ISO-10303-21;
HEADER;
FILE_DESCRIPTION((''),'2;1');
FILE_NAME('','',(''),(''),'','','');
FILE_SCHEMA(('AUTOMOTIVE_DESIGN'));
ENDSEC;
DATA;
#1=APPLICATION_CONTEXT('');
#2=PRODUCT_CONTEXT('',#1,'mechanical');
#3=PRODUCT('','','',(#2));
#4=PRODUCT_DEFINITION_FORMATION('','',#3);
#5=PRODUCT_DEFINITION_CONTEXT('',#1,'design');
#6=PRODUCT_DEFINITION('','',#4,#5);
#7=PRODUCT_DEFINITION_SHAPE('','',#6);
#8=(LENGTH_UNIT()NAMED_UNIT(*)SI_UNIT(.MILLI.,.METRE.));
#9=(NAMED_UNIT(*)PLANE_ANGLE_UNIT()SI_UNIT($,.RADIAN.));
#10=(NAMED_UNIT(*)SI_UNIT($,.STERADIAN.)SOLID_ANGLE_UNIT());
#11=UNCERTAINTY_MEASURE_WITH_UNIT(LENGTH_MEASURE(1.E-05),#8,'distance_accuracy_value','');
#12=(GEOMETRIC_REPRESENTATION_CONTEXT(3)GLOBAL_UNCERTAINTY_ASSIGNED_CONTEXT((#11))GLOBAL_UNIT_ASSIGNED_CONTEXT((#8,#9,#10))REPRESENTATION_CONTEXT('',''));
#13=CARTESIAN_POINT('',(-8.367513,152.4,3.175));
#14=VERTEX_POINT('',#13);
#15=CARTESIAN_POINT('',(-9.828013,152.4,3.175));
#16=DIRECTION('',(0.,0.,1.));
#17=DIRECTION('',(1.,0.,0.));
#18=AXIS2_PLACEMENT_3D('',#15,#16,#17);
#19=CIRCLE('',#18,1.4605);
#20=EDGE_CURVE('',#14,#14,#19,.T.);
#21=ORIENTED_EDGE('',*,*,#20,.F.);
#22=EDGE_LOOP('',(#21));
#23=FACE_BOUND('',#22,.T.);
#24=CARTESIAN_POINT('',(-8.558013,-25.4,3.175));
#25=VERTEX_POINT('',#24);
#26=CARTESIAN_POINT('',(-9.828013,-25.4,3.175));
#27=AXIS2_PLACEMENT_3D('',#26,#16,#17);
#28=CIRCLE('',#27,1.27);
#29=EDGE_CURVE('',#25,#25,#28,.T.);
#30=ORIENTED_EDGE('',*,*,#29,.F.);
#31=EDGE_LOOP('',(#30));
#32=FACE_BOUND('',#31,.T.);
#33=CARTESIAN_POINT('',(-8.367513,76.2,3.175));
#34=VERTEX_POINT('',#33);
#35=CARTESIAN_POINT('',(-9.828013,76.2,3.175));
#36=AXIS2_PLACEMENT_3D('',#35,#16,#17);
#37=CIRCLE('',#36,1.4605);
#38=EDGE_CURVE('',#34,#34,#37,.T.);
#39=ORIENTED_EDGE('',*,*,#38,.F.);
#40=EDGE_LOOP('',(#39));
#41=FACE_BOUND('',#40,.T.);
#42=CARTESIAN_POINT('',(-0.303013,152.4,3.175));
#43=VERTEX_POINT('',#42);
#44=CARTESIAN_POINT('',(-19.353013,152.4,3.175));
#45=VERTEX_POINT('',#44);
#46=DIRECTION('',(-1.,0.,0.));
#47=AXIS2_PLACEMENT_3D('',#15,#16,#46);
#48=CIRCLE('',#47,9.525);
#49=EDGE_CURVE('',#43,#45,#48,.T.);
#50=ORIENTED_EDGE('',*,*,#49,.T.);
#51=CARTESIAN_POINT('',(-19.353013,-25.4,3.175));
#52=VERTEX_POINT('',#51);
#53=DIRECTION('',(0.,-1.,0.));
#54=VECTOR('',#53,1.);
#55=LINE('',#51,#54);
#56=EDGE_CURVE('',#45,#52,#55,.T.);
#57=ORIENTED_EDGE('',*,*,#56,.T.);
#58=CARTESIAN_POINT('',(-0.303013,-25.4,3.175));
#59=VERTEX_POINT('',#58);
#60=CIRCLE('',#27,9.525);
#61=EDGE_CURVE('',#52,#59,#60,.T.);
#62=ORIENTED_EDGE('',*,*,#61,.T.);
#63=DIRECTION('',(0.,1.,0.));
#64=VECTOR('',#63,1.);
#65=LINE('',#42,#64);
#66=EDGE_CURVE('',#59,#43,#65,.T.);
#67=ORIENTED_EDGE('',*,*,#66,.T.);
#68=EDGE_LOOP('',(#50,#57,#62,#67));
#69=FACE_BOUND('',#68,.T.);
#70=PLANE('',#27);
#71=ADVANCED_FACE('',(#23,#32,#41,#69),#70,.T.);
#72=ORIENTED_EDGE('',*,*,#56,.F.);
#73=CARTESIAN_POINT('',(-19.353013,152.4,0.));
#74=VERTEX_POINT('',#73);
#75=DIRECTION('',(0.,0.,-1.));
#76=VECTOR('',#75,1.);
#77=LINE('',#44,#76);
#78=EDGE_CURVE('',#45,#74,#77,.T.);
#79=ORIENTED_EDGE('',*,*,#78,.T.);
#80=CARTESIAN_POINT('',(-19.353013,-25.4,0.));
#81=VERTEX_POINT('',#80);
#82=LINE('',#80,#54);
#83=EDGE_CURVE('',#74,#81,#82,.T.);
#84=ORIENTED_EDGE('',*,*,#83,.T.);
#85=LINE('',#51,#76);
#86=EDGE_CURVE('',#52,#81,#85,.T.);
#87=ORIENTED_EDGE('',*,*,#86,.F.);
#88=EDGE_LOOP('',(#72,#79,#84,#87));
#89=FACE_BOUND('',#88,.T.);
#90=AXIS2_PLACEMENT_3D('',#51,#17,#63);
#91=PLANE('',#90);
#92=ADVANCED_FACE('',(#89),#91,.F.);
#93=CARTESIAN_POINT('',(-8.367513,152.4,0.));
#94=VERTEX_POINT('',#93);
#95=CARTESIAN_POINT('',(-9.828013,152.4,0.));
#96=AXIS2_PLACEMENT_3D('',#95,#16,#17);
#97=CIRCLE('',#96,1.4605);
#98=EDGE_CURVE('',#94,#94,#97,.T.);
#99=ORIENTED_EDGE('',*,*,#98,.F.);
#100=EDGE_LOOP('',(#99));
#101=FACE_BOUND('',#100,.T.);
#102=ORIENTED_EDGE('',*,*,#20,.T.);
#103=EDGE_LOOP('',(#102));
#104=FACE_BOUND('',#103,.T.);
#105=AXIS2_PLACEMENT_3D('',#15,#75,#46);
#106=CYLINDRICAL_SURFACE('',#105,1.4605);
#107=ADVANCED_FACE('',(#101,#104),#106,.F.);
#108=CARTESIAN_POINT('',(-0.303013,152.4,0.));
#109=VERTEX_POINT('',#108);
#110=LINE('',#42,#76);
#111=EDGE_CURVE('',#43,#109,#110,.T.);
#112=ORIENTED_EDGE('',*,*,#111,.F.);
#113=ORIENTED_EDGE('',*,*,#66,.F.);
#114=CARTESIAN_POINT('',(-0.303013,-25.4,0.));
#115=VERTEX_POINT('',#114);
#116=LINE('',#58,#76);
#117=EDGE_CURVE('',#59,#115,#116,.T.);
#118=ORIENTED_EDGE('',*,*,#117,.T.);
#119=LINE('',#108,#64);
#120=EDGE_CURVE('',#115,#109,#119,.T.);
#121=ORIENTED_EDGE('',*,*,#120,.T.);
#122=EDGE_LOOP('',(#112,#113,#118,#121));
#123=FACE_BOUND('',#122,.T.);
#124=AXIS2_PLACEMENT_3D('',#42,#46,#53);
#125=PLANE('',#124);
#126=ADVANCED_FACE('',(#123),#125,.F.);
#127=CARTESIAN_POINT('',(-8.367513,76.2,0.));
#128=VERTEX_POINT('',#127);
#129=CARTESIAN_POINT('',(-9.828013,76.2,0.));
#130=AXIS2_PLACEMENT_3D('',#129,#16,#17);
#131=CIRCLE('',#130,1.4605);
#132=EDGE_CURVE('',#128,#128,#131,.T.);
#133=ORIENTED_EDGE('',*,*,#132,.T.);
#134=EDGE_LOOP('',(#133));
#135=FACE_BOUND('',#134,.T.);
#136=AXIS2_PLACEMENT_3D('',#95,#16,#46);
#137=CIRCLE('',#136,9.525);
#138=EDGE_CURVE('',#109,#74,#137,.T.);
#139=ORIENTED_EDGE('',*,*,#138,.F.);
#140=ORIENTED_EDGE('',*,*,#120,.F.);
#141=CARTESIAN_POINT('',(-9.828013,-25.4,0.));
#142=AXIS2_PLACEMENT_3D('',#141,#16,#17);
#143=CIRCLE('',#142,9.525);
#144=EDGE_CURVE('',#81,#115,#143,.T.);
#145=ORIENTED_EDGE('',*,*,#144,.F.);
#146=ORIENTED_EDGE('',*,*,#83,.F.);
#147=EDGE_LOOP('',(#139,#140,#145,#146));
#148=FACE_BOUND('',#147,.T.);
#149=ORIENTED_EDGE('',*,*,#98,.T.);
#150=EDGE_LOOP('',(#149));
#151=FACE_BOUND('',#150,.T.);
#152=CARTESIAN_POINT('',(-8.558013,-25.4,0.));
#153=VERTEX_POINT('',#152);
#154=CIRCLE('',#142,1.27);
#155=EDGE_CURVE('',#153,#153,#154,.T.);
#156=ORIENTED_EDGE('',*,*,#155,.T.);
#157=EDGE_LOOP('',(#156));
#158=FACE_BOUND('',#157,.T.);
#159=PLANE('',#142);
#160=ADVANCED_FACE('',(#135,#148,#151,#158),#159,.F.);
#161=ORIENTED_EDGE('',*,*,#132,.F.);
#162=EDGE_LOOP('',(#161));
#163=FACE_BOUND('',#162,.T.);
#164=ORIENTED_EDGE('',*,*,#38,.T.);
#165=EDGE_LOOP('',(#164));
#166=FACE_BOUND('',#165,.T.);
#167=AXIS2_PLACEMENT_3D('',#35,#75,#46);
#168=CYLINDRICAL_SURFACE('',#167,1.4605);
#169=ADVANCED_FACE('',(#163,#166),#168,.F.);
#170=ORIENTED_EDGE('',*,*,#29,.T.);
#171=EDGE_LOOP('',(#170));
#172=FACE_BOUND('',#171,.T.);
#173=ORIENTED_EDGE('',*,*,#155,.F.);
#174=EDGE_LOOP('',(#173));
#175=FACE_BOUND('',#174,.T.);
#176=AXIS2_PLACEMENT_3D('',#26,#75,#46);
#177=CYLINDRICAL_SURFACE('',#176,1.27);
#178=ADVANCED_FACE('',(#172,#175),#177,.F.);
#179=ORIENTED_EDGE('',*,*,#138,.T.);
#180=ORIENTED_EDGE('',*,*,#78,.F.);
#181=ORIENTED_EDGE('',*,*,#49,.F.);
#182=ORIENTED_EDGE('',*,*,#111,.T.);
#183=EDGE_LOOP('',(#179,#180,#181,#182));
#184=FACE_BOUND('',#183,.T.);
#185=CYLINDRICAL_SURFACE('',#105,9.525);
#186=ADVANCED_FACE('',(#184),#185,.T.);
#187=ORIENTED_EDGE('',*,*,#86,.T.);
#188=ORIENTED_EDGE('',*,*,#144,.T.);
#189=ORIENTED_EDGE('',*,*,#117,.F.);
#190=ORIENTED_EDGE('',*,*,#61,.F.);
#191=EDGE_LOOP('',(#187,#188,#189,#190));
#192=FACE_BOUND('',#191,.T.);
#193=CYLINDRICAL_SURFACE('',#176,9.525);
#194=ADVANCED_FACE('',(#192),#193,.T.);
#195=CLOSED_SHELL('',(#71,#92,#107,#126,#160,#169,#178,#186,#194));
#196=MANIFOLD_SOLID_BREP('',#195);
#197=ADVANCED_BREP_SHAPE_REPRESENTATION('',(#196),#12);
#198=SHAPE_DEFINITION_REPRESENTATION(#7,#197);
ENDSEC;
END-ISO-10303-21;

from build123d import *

# Parameters (mm, degrees)
SKETCH1_R           = 1.27
SKETCH1_R_2         = 1.4605
BOSS_EXTRUDE1_DEPTH = 3.175


with BuildPart() as part:
    # Sketch1 → Boss-Extrude1 (new body)
    with BuildSketch(Plane.XY):
        with BuildLine():
            Line((-19.353012887, -25.4), (-19.353012887, 152.4))
            ThreePointArc((-19.353012887, 152.4), (-9.828012887, 161.925), (-0.303012887, 152.4))
            Line((-0.303012887, 152.4), (-0.303012887, -25.4))
            ThreePointArc((-0.303012887, -25.4), (-9.828012887, -34.925), (-19.353012887, -25.4))
        make_face()
        with Locations((-9.828012887, -25.4)):
            Circle(SKETCH1_R, mode=Mode.SUBTRACT)
        with Locations((-9.828012887, 152.4)):
            Circle(SKETCH1_R_2, mode=Mode.SUBTRACT)
        with Locations((-9.828012887, 76.2)):
            Circle(SKETCH1_R_2, mode=Mode.SUBTRACT)
    extrude(amount=BOSS_EXTRUDE1_DEPTH)


solid = part.part
